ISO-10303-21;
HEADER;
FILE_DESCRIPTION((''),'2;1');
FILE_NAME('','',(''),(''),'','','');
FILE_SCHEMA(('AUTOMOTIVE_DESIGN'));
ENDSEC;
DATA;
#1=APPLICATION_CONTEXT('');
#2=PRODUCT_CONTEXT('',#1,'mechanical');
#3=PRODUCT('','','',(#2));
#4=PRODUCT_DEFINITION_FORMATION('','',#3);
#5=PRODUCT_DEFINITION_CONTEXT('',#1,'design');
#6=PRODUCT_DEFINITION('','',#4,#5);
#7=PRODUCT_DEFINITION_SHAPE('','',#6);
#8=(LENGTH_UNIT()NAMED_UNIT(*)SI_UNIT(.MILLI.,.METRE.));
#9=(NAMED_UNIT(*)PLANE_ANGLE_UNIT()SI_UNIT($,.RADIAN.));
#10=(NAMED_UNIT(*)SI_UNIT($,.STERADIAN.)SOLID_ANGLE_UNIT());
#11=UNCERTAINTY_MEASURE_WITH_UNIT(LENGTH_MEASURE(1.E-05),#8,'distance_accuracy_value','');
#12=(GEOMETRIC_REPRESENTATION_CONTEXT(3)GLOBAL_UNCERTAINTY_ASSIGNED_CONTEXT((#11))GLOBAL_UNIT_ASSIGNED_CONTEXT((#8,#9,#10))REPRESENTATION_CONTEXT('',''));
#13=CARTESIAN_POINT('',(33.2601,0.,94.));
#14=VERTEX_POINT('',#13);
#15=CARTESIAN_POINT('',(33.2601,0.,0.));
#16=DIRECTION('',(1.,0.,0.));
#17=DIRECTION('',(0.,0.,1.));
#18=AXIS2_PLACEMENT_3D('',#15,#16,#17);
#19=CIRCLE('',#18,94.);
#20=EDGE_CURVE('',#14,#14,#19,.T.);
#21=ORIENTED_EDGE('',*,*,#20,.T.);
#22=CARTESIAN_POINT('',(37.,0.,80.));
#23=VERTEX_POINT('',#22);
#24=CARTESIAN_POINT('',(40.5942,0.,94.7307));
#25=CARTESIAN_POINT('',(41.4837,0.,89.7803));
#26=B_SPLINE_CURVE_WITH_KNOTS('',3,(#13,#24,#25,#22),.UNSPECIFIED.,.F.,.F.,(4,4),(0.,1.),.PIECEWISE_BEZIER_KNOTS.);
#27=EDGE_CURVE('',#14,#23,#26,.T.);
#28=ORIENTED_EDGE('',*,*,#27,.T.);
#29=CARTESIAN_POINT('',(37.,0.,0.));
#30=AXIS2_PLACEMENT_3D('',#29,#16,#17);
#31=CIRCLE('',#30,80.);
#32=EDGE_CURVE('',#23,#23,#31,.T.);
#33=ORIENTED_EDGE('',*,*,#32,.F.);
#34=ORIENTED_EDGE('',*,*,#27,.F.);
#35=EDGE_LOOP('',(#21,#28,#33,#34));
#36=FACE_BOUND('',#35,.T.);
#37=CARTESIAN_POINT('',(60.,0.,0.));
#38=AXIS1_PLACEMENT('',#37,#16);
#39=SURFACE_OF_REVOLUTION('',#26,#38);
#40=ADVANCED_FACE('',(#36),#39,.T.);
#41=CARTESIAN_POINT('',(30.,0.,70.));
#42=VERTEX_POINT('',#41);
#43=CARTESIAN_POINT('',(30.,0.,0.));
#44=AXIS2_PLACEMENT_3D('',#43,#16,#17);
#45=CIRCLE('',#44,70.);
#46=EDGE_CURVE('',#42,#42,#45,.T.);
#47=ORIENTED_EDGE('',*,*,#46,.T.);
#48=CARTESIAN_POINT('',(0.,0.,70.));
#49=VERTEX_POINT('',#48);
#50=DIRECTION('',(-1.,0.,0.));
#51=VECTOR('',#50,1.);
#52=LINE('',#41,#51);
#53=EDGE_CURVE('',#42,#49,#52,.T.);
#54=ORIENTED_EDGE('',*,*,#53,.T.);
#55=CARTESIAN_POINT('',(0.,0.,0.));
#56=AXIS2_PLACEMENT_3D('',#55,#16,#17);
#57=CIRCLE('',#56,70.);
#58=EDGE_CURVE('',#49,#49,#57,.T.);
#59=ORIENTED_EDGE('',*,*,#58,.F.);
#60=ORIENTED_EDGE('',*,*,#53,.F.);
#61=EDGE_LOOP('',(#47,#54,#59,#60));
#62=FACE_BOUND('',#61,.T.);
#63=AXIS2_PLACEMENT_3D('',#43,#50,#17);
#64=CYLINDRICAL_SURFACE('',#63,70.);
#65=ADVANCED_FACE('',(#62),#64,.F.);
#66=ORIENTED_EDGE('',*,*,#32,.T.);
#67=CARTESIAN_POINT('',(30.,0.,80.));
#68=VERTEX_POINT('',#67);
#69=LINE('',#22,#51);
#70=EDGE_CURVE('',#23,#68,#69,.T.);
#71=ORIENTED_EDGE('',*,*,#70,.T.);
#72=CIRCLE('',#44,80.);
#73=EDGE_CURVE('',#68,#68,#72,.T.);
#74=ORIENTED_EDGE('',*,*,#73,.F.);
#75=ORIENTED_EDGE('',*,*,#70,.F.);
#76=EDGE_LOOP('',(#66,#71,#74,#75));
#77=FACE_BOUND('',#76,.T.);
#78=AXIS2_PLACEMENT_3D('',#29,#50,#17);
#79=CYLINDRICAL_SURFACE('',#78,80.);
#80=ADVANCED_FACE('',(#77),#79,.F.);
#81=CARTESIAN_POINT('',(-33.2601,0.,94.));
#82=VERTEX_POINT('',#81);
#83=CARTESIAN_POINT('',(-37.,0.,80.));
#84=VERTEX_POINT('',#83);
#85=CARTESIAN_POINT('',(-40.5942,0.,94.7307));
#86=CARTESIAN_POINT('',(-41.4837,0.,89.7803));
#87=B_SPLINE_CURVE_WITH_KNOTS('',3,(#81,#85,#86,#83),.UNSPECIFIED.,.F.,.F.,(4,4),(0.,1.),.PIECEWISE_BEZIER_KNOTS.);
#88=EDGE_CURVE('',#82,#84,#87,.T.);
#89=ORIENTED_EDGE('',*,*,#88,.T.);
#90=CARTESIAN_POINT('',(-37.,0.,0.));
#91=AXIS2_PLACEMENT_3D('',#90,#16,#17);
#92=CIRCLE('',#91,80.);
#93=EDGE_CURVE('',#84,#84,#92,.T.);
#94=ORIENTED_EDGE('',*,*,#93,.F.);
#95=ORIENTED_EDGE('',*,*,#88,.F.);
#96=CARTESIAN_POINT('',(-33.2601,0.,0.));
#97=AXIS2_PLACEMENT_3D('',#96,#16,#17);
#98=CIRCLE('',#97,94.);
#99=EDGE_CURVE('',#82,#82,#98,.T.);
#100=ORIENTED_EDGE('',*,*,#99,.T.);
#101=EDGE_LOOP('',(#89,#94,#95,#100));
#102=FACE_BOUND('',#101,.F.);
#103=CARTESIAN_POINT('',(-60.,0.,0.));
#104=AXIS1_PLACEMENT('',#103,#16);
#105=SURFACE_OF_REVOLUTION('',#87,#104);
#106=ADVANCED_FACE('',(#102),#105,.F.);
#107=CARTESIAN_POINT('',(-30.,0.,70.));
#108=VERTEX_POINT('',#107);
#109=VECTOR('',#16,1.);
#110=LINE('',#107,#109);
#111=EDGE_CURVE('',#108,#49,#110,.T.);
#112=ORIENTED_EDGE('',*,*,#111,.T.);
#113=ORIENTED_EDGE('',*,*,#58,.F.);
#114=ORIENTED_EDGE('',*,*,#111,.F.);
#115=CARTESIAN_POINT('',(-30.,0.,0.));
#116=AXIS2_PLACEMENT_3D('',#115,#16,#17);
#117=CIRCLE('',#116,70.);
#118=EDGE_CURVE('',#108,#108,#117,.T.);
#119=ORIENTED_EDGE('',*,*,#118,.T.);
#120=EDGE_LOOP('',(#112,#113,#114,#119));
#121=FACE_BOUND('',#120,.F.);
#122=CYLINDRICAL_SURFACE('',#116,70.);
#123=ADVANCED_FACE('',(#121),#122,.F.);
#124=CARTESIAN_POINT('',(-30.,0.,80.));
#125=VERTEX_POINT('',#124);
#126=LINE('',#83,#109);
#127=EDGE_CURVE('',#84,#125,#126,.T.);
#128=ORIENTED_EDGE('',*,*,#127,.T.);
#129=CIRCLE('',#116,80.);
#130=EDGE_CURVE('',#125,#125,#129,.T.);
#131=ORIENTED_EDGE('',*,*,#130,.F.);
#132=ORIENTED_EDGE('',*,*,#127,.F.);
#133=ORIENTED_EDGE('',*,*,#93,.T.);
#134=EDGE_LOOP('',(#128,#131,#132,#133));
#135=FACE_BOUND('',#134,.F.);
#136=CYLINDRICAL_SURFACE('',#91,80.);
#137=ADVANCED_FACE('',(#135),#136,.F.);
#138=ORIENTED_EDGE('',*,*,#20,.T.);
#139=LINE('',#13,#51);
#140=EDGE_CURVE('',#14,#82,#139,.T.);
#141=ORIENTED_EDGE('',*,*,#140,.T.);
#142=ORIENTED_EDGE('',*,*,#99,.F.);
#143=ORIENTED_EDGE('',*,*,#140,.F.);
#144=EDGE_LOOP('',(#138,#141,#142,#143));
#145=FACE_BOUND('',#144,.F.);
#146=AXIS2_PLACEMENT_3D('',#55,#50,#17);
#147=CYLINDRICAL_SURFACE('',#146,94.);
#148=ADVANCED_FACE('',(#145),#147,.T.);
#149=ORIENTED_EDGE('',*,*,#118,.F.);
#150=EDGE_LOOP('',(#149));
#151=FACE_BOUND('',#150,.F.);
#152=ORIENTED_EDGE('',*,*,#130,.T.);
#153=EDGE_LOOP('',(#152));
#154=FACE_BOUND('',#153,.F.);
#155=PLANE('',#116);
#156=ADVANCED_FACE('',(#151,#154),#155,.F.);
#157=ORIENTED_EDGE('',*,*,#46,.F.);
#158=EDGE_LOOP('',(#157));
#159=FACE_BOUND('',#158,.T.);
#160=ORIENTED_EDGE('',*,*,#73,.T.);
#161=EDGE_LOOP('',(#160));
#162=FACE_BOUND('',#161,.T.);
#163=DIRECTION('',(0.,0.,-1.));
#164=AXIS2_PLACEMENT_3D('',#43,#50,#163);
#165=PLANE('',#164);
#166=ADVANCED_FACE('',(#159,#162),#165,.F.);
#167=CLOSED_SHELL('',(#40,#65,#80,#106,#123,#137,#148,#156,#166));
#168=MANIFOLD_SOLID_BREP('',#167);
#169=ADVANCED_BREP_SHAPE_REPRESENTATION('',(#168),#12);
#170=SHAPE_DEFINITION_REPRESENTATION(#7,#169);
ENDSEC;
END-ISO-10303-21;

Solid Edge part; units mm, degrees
sketch "Sketch1" plane through (0, 0, 0) normal (0, -1, 0) x (1, 0, 0)
  line L0 (0, 94) -> (-33.2601, 94)
  spline S0 degree 3 poles (-33.2601, 94) (-40.5942, 94.7307) (-41.4837, 89.7803) (-37, 80) knots 0 0 0 0 1 1 1 1
  line L1 (-37, 80) -> (-30, 80)
  line L2 (-30, 80) -> (-30, 70)
  line L3 (-30, 70) -> (0, 70)
  line L4 (0, 94) -> (0, 70)
  dimension "D1" = 7
  dimension "D2" = 10
  dimension "D3" = 30
  dimension "D4" = 33.2601
  dimension "D5" = 24
revolve "RevolvedProtrusion1" add sketch "Sketch1" angle 360 about axis through (-60, 0, 0) along (1, 0, 0)
mirror "Mirror1" about plane through (0, 0, 0) normal (1, 0, 0) of "RevolvedProtrusion1"
